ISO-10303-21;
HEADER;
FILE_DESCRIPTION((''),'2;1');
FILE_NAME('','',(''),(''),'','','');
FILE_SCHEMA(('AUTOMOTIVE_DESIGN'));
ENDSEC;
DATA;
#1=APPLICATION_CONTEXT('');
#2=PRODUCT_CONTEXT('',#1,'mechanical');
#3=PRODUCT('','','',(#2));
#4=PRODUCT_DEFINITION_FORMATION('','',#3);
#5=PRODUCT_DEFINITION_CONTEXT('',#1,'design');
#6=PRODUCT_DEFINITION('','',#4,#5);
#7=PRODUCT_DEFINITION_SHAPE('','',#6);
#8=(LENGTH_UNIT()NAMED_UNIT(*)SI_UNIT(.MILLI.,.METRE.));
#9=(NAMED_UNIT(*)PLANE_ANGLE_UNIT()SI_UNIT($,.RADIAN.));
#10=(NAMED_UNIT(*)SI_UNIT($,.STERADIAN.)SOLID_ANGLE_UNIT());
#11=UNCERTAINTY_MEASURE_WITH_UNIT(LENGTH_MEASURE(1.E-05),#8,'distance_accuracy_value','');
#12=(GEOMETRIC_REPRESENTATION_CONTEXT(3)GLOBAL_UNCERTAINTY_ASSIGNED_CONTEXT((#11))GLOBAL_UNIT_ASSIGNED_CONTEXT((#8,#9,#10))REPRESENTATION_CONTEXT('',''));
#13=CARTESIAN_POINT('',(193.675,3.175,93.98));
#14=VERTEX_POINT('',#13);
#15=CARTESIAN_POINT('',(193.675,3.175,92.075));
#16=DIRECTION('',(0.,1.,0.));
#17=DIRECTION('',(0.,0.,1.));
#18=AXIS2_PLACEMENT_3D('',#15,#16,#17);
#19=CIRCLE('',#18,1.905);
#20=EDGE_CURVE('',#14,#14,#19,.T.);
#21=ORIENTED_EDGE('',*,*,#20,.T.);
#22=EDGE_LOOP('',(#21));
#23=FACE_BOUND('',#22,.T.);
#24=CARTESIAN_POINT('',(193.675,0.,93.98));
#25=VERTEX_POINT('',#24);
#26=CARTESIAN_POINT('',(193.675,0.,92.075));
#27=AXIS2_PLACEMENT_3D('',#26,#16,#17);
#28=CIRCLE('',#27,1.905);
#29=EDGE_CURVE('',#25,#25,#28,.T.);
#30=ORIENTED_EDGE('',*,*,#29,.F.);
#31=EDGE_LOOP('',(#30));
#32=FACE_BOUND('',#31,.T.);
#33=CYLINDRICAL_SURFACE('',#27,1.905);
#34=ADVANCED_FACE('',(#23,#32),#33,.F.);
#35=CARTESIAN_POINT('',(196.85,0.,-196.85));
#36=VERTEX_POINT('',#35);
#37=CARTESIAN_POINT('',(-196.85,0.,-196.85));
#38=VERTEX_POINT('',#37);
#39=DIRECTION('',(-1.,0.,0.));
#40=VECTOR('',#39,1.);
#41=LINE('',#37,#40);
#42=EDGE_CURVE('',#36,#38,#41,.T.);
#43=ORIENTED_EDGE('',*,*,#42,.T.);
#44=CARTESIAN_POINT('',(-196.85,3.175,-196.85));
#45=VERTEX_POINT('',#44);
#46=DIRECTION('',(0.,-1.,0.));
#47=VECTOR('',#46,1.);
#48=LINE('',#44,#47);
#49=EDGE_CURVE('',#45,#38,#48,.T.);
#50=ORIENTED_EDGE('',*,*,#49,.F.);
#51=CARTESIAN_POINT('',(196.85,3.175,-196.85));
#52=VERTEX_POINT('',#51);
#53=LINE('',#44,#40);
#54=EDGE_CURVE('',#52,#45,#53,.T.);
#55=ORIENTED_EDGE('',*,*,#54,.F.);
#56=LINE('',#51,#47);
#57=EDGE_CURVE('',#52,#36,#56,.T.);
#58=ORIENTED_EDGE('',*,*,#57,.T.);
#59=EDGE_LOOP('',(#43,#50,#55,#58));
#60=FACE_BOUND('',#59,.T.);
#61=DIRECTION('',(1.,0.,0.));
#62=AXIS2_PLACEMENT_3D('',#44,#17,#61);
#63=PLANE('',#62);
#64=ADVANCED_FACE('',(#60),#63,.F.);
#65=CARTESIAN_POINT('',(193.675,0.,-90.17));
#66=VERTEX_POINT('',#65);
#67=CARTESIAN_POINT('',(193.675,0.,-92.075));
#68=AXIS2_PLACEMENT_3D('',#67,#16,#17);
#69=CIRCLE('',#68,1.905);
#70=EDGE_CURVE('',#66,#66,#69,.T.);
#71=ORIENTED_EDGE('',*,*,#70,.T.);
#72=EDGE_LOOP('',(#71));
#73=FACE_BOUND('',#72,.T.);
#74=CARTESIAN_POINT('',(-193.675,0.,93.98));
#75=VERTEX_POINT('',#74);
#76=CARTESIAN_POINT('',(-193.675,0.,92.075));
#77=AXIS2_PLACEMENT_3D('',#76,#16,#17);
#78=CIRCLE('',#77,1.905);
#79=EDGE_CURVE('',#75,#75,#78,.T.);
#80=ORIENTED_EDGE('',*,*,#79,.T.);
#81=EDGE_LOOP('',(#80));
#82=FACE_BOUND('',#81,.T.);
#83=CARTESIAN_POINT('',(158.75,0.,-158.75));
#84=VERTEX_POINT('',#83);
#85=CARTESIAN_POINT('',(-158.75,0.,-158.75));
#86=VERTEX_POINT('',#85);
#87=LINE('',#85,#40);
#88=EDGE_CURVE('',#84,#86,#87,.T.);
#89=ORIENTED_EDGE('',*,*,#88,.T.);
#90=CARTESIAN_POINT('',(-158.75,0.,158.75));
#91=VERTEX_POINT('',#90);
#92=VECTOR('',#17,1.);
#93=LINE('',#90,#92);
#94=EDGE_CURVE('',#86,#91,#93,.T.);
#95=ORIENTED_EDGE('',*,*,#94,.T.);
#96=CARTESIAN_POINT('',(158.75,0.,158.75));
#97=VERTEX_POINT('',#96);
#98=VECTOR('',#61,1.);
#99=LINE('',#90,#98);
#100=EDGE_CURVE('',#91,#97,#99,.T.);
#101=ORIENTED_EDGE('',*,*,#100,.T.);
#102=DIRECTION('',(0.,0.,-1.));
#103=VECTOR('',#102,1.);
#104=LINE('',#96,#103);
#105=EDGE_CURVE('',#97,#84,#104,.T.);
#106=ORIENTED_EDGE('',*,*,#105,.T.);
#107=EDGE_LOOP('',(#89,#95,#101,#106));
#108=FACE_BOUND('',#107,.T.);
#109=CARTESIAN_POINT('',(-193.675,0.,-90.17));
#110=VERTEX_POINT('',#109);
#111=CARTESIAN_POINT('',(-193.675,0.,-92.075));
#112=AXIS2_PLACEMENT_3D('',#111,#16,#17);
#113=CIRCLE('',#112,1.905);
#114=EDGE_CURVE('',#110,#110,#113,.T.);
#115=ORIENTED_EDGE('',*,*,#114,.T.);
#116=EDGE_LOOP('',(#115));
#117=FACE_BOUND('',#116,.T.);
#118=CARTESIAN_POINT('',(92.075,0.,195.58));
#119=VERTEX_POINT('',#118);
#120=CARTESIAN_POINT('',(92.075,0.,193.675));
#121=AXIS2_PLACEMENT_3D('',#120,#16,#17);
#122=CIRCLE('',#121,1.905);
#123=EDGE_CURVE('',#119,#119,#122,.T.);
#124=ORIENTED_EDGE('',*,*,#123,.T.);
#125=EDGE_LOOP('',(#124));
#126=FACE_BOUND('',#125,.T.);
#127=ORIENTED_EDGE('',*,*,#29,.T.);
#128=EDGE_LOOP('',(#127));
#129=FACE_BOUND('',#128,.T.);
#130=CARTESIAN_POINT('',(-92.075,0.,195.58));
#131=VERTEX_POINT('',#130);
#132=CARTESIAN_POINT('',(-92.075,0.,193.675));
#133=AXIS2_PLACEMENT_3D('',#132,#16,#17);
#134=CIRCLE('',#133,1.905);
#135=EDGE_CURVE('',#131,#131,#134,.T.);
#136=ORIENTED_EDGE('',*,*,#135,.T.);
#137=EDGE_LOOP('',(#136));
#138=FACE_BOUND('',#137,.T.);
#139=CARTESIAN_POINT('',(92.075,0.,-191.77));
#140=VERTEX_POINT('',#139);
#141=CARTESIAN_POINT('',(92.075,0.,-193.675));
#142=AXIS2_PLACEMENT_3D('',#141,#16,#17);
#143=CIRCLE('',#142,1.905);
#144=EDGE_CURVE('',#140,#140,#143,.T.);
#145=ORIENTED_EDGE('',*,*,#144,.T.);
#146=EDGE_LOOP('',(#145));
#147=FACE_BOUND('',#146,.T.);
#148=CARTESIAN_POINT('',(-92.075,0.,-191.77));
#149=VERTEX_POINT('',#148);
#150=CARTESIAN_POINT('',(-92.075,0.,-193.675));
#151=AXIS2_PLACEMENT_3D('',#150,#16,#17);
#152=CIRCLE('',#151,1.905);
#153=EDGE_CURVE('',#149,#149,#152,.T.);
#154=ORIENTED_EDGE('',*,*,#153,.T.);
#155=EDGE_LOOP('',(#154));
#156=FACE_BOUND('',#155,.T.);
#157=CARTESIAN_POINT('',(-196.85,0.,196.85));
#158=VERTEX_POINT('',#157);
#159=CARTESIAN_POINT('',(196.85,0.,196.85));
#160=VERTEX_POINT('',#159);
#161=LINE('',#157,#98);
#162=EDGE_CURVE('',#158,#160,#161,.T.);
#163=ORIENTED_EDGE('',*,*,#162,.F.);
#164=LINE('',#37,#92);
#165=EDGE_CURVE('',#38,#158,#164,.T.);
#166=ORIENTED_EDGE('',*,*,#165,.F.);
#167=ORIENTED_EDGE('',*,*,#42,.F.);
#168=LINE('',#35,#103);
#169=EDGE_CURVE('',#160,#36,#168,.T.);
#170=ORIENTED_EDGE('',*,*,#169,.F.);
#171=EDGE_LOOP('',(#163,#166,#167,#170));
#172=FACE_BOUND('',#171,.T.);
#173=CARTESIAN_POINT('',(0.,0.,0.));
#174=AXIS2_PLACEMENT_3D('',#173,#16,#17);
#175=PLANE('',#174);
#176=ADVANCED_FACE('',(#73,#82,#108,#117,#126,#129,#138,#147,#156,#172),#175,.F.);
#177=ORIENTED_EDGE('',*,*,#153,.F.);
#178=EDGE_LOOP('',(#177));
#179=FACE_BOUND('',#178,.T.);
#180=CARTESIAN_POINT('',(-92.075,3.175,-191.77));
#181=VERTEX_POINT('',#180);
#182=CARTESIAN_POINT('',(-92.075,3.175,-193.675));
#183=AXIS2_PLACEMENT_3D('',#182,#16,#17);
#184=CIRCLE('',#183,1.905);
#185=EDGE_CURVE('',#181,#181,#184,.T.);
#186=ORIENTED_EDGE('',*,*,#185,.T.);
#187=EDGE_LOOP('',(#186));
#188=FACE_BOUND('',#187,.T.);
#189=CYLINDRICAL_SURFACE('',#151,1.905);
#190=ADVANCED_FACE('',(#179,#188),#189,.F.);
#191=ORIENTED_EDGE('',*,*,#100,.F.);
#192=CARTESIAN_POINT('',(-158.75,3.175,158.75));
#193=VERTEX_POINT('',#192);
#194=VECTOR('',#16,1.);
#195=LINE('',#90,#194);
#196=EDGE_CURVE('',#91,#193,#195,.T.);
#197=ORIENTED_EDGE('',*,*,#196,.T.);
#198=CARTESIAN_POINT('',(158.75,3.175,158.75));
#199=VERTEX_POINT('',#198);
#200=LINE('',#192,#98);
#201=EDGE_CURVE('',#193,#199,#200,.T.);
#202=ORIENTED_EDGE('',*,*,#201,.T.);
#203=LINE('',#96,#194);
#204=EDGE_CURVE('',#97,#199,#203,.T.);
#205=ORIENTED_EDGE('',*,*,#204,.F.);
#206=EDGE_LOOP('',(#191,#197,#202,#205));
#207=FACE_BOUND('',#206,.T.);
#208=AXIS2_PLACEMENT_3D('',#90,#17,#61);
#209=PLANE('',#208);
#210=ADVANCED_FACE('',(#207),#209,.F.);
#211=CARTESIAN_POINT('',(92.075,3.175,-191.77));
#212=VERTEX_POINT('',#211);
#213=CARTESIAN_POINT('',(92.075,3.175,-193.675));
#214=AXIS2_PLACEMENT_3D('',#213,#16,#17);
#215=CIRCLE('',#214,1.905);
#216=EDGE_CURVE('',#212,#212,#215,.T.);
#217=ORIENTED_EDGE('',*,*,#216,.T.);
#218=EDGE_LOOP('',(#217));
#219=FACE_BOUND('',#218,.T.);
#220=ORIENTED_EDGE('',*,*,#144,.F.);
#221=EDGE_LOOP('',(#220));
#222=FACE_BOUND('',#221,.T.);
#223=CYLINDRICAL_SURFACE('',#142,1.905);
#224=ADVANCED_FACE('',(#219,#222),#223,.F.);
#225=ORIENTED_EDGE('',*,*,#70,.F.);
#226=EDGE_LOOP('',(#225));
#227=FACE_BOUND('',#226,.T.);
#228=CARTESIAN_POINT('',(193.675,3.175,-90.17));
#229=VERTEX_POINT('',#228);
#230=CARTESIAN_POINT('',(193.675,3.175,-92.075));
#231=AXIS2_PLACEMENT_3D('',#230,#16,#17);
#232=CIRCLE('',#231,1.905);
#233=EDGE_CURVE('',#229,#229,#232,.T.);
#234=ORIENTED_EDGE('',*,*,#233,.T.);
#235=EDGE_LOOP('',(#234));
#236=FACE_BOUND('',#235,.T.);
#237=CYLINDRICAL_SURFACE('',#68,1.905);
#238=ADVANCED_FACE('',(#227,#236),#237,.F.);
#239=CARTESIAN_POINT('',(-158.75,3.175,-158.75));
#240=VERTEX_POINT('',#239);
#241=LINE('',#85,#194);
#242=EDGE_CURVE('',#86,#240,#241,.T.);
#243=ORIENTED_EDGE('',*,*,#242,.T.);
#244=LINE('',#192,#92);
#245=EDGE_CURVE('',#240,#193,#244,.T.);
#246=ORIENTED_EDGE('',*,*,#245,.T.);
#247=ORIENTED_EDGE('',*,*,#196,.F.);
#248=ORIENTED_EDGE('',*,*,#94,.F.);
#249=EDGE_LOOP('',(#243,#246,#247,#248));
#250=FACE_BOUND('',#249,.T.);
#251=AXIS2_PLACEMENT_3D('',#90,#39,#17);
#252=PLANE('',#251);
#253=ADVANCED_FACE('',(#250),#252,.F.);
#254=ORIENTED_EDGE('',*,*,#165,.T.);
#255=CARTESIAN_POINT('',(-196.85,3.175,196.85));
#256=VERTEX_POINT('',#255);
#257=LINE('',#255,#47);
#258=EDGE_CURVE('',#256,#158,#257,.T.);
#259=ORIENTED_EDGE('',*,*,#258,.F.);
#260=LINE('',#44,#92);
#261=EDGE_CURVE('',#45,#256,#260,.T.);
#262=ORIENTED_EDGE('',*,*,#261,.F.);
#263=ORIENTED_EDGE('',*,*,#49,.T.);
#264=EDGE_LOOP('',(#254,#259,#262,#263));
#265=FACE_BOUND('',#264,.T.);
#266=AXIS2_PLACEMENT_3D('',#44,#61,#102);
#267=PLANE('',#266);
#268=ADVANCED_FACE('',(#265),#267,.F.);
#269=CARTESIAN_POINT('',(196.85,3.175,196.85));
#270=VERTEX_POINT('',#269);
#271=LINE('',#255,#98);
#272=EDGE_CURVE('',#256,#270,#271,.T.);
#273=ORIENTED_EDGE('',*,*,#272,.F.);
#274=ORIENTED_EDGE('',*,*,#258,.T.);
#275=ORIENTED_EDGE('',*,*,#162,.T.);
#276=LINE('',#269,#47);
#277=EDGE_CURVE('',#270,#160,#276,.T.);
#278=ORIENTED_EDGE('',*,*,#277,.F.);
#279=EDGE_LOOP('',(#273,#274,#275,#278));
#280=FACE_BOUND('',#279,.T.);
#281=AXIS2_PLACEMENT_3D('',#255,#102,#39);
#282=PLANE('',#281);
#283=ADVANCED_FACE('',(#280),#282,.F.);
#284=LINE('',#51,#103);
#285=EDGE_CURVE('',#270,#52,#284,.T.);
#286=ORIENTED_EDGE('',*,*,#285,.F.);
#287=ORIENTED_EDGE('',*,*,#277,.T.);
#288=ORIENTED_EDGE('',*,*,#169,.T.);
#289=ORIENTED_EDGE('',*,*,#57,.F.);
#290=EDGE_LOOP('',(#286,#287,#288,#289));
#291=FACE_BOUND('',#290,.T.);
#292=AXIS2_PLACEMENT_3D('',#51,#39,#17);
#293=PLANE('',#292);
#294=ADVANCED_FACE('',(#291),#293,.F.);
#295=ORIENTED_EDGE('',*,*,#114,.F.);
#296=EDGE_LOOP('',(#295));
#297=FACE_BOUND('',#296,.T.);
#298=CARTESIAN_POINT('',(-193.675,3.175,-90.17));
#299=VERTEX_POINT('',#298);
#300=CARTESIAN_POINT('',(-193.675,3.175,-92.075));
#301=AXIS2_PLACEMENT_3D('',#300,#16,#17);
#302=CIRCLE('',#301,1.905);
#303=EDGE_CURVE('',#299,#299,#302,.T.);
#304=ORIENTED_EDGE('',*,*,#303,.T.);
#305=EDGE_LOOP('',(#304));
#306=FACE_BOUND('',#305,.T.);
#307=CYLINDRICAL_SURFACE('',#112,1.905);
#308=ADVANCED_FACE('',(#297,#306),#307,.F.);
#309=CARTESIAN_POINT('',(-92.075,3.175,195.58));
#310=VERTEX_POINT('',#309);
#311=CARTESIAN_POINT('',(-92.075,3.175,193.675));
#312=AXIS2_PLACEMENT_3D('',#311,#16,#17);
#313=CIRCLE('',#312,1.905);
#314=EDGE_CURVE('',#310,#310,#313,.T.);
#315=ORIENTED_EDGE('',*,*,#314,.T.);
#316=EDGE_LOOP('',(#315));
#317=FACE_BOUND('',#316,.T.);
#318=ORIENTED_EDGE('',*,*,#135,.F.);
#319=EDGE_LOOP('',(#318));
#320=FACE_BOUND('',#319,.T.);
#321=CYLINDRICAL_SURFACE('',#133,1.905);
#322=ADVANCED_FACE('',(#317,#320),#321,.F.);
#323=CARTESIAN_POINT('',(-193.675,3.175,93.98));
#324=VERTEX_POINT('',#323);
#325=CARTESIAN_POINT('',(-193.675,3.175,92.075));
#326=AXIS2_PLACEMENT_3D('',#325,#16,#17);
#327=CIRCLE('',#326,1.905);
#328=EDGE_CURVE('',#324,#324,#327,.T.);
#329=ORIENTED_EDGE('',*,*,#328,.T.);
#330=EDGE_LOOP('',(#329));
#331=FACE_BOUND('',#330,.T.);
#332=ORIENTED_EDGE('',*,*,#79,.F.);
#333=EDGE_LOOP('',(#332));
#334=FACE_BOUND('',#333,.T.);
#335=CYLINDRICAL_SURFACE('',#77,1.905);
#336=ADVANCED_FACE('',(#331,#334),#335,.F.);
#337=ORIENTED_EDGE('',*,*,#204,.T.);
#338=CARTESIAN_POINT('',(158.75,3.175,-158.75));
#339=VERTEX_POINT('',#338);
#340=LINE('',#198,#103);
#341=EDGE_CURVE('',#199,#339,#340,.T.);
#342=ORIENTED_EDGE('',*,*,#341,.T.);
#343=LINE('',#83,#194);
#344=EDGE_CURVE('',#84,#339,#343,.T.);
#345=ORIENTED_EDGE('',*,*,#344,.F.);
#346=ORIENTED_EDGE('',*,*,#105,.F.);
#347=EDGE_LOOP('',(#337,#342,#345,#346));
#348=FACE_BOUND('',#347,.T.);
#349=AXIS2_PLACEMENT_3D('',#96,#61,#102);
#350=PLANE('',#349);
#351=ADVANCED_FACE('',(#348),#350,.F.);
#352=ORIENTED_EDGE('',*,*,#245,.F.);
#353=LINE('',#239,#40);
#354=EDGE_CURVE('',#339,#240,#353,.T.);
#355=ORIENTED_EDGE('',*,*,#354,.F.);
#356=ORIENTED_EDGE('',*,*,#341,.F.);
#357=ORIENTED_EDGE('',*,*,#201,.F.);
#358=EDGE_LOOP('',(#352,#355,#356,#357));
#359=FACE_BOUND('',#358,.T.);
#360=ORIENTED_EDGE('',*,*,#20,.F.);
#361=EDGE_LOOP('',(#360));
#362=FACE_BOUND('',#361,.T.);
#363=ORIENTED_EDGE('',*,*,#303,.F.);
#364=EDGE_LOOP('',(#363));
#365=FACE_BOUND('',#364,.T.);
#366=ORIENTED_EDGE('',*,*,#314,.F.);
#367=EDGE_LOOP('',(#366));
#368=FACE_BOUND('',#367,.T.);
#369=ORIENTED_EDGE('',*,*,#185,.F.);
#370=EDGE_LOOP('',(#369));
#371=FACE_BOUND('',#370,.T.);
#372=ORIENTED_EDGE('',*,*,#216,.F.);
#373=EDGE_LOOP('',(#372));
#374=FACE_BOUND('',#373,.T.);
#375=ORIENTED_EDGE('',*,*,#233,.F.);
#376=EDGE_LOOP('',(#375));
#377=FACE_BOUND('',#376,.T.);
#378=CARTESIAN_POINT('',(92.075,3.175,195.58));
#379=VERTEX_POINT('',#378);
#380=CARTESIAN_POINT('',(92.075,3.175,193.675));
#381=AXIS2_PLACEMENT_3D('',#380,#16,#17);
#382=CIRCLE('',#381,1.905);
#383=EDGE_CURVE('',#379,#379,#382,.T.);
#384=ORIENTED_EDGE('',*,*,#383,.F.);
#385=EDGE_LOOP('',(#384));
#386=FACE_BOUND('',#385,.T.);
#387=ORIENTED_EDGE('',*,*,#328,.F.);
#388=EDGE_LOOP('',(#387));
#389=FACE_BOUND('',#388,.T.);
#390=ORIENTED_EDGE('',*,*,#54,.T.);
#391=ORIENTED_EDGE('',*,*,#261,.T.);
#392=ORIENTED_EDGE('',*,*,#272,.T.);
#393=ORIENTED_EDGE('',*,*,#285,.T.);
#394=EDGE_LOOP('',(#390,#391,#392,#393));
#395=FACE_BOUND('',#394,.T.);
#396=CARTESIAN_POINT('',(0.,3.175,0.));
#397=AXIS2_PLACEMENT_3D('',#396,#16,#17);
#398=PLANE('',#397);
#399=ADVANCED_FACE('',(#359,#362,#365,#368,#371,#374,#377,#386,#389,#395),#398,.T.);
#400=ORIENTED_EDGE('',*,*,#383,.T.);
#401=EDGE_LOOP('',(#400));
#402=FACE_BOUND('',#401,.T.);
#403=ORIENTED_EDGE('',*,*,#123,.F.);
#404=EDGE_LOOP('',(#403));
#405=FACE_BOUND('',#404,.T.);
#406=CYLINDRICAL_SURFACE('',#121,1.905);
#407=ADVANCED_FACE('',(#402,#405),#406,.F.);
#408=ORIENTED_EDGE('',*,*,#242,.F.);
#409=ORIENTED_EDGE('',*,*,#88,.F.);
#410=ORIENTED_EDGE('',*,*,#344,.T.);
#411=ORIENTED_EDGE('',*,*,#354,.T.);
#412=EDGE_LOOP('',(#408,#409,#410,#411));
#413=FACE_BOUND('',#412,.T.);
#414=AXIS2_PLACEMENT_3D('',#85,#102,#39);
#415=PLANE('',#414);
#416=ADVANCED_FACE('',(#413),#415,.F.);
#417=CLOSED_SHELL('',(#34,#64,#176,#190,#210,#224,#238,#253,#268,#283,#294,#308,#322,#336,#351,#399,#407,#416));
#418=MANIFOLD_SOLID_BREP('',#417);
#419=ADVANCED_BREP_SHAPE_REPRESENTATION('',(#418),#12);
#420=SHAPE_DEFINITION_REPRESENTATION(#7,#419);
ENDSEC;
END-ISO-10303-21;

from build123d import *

# Parameters (mm, degrees)
SKETCH1_W           = 393.7
SKETCH1_H           = 393.7
BOSS_EXTRUDE1_DEPTH = 3.175
SKETCH2_W           = 317.5
SKETCH2_H           = 317.5
CUT_EXTRUDE1_DEPTH  = 279.40604452
SKETCH3_R           = 1.905
CUT_EXTRUDE3_DEPTH  = 279.40604452


with BuildPart() as part:
    # Sketch1 → Boss-Extrude1 (new body)
    with BuildSketch(Plane(origin=(0, 0, 0), x_dir=(1, 0, 0), z_dir=(0, 1, 0))):
        Rectangle(SKETCH1_W, SKETCH1_H)
    extrude(amount=BOSS_EXTRUDE1_DEPTH)

    # Sketch2 → Cut-Extrude1 (cut, through all)
    with BuildSketch(Plane(origin=(0, 3.175, 0), x_dir=(1, 0, 0), z_dir=(0, 1, 0))):
        Rectangle(SKETCH2_W, SKETCH2_H)
    extrude(amount=-CUT_EXTRUDE1_DEPTH, mode=Mode.SUBTRACT)

    # Sketch3 → Cut-Extrude3 (cut, through all)
    with BuildSketch(Plane(origin=(0, 3.175, 0), x_dir=(1, 0, 0), z_dir=(0, 1, 0))):
        with Locations(Location((-92.075, -193.675, 0), (0, 0, 270))):
            Circle(SKETCH3_R)
        with Locations(Location((92.075, -193.675, 0), (0, 0, 270))):
            Circle(SKETCH3_R)
        with Locations(Location((193.675, -92.075, 0), (0, 0, 270))):
            Circle(SKETCH3_R)
        with Locations(Location((193.675, 92.075, 0), (0, 0, 270))):
            Circle(SKETCH3_R)
        with Locations(Location((92.075, 193.675, 0), (0, 0, 270))):
            Circle(SKETCH3_R)
        with Locations(Location((-92.075, 193.675, 0), (0, 0, 270))):
            Circle(SKETCH3_R)
        with Locations(Location((-193.675, 92.075, 0), (0, 0, 270))):
            Circle(SKETCH3_R)
        with Locations(Location((-193.675, -92.075, 0), (0, 0, 270))):
            Circle(SKETCH3_R)
    extrude(amount=-CUT_EXTRUDE3_DEPTH, mode=Mode.SUBTRACT)


solid = part.part
